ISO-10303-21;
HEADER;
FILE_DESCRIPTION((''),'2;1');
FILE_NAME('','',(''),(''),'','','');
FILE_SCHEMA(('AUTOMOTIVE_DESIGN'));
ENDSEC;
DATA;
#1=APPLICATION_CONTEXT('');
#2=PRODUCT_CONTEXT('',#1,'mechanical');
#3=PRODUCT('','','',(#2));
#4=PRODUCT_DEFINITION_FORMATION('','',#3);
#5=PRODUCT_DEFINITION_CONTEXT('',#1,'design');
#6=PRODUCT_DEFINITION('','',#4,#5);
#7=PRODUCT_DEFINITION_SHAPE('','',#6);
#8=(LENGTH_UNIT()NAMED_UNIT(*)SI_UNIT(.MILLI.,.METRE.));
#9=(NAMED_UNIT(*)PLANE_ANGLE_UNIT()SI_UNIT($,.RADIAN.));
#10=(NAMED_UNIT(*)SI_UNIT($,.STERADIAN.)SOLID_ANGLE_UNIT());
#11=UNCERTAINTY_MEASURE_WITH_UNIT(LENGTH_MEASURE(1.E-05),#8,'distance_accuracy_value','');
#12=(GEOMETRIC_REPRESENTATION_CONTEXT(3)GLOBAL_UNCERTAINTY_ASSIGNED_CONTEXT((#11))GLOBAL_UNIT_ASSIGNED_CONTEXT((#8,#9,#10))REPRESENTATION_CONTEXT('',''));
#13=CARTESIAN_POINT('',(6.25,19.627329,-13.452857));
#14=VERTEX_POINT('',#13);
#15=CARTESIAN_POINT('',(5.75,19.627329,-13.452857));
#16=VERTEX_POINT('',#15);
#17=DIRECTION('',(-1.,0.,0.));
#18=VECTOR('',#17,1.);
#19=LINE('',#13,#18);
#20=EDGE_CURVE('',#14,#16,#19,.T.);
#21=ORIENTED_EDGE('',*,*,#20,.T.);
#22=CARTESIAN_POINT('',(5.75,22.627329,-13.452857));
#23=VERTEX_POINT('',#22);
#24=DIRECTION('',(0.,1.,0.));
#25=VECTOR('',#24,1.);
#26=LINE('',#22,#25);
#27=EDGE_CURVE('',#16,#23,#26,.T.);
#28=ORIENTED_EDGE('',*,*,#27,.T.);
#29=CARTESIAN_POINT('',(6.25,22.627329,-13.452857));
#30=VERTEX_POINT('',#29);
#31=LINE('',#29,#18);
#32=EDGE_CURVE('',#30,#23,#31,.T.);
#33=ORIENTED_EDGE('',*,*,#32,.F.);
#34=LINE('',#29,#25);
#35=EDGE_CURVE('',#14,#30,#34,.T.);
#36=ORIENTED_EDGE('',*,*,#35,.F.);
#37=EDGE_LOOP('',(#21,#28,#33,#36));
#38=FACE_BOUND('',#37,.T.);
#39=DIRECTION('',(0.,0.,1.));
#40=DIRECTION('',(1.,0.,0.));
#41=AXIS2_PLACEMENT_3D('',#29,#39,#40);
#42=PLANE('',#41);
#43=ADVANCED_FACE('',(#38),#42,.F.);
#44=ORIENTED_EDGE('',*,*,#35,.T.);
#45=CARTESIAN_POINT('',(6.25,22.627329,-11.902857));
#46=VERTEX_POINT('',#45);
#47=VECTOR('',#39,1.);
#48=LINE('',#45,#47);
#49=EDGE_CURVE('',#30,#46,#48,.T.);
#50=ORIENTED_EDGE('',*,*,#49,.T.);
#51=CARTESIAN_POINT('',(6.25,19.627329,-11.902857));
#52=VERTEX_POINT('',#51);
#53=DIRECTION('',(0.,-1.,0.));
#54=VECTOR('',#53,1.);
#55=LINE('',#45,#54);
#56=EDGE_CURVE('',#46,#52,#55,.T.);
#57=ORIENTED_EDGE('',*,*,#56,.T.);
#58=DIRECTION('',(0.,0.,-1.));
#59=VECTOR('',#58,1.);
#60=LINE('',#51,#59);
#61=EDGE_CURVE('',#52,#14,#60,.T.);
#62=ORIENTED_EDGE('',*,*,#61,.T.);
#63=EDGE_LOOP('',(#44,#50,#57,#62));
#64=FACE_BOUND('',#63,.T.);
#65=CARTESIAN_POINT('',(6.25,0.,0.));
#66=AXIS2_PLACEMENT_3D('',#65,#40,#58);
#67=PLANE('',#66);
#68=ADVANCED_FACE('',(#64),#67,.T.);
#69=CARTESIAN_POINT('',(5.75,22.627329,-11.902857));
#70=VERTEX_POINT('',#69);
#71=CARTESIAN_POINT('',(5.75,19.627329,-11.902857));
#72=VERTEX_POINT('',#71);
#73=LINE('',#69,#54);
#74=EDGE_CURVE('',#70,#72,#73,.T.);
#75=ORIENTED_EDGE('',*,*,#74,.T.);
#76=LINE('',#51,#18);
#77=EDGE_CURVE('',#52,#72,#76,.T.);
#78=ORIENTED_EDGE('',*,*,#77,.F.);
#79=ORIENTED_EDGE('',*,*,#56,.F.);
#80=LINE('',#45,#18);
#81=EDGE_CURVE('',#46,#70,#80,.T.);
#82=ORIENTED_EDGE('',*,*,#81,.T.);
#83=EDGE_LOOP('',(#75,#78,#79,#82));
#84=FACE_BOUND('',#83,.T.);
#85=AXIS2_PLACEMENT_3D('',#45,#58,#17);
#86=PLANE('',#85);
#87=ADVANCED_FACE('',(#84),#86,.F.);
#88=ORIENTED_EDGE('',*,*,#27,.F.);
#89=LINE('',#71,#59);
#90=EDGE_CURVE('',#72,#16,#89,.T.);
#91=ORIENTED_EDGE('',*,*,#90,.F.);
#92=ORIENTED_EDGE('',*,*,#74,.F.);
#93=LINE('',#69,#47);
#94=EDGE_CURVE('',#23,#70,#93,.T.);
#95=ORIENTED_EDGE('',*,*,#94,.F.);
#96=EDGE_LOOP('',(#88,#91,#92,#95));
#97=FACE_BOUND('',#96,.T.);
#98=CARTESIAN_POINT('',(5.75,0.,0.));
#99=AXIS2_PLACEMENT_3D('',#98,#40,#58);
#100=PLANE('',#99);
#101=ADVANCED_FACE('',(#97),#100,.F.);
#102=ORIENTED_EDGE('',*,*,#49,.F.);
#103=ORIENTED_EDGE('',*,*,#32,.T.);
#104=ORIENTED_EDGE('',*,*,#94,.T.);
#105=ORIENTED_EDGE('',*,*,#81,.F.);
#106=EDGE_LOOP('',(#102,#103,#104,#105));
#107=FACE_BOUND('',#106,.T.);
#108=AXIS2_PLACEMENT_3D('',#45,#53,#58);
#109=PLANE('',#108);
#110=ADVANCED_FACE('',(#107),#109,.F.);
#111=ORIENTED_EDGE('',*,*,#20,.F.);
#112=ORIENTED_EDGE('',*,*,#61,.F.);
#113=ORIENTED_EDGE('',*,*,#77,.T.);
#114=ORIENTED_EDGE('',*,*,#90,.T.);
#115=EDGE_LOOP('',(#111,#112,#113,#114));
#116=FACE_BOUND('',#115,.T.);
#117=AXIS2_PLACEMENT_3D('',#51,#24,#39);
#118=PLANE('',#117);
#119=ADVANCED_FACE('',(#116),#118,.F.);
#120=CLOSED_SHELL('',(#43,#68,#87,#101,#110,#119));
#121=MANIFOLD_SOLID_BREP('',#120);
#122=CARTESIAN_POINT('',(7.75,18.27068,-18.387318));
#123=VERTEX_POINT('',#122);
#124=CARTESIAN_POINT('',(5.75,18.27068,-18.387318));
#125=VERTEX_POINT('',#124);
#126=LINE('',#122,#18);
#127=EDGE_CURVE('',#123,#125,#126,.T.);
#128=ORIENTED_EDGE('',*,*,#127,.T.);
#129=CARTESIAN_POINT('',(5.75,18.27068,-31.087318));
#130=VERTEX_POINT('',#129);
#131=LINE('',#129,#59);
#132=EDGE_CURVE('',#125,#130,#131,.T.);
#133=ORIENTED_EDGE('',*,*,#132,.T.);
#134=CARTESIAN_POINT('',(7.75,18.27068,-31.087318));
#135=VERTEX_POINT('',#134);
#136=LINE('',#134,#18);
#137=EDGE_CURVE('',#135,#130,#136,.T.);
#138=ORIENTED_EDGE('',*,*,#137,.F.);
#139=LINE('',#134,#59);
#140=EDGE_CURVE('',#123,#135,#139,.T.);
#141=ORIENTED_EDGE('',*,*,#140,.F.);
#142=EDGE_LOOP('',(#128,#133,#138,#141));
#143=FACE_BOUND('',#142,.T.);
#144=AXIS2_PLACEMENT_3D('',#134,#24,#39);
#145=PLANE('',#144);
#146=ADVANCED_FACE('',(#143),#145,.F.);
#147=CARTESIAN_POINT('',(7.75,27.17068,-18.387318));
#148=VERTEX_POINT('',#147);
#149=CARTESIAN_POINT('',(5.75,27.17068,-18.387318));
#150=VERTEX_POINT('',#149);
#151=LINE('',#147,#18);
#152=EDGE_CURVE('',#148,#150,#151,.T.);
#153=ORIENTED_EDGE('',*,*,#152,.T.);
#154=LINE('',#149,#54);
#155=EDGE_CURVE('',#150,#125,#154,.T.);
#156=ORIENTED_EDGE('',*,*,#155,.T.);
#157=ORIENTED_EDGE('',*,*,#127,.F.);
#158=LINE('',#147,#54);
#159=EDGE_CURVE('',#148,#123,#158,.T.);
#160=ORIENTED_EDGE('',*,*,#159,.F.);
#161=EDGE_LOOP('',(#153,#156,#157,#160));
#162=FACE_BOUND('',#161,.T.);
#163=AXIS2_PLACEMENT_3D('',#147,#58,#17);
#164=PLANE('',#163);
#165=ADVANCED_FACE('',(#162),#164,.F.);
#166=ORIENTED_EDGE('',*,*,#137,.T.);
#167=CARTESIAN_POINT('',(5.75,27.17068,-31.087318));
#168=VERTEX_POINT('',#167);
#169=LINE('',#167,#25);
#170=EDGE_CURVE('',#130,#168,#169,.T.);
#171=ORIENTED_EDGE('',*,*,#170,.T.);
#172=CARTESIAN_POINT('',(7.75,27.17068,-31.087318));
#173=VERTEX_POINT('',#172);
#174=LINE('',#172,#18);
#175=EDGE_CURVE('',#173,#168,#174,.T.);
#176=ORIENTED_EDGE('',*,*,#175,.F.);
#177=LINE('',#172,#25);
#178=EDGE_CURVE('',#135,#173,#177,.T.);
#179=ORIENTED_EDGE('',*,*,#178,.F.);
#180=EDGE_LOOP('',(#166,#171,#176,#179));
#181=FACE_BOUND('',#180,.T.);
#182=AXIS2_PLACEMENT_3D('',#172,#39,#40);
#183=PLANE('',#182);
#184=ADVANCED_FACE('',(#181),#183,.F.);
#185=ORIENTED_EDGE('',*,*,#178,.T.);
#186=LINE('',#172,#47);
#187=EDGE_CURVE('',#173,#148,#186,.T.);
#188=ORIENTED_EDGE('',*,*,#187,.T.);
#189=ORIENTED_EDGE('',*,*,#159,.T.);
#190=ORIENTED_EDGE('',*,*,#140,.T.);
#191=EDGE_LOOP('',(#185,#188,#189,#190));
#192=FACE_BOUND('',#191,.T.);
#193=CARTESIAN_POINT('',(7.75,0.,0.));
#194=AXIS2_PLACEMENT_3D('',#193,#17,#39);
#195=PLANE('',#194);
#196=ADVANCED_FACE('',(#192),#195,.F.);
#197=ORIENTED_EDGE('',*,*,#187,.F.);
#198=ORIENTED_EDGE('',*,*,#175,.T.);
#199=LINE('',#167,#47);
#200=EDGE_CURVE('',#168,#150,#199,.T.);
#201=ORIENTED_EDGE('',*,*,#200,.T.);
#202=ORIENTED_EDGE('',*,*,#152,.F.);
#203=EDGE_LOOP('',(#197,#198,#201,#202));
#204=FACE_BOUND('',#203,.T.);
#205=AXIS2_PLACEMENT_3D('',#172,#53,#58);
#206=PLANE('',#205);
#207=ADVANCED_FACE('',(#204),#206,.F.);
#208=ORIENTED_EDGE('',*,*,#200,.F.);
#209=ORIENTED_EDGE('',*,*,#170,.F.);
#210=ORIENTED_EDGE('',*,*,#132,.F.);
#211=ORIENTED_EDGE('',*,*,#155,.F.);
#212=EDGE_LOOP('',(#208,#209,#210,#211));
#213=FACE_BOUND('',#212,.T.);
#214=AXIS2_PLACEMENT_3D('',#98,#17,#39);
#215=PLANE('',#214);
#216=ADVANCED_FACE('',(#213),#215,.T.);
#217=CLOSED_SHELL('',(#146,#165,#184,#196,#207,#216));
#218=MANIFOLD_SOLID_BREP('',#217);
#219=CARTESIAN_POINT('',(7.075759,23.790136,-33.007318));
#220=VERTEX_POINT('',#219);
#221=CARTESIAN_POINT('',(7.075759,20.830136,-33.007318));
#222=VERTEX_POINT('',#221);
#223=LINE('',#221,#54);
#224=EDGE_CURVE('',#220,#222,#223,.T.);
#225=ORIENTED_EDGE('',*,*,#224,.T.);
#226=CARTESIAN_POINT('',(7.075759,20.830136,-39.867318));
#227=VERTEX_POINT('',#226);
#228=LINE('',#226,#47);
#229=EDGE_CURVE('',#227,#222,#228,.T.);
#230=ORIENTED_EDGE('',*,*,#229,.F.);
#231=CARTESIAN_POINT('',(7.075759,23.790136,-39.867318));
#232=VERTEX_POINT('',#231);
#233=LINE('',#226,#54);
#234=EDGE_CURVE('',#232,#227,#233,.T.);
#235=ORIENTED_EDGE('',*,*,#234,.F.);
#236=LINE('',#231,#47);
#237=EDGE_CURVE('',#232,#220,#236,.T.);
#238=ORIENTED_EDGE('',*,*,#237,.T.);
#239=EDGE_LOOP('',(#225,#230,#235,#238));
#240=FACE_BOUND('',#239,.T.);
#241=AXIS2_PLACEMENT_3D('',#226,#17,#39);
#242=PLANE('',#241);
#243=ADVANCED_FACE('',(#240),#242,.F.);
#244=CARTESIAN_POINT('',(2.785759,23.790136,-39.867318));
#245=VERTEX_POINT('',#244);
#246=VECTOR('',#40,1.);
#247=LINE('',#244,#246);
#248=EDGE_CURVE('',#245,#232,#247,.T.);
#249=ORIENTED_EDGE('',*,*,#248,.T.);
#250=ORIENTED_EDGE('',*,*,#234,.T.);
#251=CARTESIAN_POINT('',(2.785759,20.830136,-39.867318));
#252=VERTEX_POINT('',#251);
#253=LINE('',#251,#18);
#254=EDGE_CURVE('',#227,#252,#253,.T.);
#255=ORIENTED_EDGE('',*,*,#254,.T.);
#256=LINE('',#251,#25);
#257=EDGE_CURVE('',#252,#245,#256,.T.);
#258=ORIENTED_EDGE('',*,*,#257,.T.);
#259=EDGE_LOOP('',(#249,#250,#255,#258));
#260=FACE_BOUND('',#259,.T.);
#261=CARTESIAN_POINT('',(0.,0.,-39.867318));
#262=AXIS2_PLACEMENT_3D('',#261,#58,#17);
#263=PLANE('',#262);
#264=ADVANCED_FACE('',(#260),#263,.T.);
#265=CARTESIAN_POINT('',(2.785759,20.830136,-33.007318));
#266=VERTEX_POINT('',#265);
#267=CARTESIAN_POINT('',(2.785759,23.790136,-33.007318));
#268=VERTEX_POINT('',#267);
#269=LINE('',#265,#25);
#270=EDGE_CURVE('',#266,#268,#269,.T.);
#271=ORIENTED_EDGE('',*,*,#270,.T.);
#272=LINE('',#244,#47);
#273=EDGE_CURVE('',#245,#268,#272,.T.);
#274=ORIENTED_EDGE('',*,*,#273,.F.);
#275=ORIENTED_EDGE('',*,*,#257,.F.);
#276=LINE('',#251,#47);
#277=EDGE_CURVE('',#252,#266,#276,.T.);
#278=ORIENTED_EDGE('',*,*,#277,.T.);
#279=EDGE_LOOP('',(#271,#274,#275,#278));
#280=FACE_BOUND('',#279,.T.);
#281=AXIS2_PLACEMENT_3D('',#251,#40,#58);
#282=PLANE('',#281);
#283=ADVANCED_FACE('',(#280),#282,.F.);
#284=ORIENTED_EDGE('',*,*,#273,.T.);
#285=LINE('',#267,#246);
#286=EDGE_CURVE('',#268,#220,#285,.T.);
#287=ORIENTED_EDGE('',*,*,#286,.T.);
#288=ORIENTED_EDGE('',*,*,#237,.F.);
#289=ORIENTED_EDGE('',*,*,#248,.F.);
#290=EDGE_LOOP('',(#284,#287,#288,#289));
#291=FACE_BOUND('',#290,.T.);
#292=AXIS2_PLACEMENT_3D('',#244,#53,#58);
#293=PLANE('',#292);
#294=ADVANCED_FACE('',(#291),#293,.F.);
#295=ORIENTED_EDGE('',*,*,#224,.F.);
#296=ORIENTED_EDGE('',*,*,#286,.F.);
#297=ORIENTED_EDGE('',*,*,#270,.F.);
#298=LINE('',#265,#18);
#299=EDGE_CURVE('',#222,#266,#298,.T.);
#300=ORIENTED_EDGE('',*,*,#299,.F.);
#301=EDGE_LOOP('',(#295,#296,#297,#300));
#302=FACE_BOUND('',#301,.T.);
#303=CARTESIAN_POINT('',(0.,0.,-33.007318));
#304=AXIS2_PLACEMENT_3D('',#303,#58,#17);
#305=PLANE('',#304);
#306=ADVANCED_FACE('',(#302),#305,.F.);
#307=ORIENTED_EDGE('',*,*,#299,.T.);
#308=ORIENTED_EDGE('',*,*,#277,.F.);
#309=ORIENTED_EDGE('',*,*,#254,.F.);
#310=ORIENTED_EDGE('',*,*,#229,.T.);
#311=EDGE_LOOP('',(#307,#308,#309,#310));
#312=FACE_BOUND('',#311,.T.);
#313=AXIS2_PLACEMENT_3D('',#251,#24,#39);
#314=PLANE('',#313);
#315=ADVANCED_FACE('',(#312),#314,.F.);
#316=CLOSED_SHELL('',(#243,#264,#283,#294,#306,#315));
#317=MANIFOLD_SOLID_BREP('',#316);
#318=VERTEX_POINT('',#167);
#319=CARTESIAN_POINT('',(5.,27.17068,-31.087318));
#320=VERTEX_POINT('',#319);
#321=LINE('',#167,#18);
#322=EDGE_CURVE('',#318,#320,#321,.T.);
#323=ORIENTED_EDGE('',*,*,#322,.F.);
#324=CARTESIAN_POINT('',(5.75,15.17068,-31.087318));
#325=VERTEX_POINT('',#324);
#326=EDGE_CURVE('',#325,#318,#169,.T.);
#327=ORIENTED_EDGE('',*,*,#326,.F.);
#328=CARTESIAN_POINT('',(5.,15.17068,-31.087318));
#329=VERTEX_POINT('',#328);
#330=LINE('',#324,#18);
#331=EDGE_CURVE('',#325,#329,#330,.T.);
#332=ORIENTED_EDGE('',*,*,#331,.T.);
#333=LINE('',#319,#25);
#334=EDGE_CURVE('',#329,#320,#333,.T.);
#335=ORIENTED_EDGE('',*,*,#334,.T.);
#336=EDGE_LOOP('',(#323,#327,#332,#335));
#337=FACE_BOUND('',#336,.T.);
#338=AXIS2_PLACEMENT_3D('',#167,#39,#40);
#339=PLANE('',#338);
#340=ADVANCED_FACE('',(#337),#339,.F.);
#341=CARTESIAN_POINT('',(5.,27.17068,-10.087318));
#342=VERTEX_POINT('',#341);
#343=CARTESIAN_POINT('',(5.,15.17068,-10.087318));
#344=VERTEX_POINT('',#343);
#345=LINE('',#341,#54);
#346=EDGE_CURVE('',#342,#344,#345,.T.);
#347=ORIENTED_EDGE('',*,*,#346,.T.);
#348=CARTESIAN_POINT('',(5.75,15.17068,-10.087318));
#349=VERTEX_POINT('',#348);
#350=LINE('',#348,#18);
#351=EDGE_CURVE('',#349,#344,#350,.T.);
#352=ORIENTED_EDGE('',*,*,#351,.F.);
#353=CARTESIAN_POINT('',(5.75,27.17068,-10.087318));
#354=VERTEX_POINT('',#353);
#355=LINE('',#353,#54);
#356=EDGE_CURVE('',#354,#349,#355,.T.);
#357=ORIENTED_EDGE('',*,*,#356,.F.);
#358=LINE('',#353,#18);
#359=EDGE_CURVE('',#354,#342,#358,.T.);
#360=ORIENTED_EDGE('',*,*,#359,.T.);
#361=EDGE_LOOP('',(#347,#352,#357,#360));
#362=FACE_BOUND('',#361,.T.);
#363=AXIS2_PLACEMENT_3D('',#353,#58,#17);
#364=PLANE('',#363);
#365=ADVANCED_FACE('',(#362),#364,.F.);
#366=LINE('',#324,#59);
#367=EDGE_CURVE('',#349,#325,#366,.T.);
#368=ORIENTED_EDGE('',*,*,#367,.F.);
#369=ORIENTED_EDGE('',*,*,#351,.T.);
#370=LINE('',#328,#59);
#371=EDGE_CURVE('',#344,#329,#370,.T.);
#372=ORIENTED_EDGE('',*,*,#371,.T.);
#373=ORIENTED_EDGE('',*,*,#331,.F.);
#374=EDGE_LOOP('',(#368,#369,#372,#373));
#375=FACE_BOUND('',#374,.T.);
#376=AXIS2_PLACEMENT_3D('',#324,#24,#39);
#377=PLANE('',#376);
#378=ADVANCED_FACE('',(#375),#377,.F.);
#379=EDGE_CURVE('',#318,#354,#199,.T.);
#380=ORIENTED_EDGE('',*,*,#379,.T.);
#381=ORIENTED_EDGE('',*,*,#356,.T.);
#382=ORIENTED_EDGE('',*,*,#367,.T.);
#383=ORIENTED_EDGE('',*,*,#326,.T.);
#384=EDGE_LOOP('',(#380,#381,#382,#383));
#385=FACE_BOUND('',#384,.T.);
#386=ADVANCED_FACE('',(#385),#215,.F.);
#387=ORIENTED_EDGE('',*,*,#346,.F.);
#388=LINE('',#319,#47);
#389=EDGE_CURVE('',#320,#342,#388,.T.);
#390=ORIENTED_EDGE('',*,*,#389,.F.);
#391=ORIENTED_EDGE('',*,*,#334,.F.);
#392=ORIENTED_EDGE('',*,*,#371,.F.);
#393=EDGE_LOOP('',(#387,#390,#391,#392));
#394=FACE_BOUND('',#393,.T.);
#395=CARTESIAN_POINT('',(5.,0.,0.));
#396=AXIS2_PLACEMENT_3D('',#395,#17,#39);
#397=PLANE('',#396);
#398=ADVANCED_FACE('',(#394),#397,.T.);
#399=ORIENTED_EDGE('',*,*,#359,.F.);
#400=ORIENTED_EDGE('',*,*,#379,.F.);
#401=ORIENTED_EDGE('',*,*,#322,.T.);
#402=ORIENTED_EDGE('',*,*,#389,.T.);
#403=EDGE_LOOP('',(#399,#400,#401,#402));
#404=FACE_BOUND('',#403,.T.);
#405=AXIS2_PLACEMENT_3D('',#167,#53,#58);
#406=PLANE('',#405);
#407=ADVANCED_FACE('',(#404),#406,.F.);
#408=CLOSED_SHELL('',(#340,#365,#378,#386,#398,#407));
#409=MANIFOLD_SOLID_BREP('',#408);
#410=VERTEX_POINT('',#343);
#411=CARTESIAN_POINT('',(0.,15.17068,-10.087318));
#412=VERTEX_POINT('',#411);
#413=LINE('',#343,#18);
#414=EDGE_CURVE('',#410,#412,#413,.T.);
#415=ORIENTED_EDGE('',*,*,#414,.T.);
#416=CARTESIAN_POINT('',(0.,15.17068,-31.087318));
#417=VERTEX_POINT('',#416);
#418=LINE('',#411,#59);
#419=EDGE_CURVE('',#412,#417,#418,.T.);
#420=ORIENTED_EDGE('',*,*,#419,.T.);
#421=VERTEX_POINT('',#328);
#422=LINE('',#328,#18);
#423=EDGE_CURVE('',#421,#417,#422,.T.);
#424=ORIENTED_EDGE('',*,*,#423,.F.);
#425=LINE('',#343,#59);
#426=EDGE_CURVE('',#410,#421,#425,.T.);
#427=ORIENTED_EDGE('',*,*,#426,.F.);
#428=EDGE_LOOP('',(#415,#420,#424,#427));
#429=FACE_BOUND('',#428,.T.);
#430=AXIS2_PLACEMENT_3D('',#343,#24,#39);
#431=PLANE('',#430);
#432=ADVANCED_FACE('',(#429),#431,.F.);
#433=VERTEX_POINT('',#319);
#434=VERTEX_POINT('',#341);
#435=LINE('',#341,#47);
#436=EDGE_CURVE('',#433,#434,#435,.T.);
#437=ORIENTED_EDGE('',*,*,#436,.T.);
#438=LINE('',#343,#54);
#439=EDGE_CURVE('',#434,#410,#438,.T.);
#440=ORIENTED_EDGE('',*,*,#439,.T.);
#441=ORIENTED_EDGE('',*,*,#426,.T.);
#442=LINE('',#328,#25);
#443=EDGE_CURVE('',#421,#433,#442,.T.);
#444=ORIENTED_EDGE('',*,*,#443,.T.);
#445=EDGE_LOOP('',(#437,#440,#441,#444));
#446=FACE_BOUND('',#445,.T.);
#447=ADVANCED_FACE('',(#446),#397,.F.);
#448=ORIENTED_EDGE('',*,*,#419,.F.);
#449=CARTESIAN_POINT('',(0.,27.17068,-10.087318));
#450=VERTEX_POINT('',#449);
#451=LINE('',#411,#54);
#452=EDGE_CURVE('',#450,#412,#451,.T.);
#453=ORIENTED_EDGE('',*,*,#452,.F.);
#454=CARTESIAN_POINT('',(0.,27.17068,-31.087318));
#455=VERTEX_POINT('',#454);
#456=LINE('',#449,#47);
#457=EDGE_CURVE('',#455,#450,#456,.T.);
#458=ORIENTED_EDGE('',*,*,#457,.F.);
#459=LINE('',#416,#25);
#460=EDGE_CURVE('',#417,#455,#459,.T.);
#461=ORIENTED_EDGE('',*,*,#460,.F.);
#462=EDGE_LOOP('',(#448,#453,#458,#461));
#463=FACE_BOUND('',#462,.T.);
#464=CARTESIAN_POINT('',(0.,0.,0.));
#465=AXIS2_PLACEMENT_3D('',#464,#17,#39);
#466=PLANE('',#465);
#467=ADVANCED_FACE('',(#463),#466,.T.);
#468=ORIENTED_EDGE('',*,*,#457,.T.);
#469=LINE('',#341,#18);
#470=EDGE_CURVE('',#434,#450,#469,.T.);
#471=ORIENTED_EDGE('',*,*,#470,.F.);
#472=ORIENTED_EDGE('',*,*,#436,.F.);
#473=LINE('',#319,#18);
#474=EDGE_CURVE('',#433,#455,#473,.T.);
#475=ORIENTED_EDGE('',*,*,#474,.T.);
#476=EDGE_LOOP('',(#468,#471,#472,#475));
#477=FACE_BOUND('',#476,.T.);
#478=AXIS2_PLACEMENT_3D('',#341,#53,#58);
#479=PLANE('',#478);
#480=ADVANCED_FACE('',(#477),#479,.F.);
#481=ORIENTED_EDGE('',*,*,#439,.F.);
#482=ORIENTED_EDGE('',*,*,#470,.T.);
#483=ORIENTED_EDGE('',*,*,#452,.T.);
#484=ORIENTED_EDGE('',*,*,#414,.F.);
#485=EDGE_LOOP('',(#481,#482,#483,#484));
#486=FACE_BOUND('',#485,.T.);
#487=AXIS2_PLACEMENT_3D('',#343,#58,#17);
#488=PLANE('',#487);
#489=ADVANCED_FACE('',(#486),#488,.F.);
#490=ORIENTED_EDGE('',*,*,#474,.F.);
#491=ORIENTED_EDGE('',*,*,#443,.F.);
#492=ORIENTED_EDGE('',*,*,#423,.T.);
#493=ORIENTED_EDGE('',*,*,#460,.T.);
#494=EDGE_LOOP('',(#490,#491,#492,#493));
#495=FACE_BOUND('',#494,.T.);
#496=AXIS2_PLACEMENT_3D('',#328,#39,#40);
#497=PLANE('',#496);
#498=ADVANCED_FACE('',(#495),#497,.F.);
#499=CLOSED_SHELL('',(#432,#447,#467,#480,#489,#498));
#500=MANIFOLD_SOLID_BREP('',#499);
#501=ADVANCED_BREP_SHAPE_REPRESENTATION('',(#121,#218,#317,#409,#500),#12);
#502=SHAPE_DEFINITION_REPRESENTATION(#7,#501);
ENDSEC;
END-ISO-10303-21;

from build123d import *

# Parameters (mm, degrees)
SKETCH1_W        = 21
SKETCH1_H        = 12
BATTERY_DEPTH    = 5
SKETCH2_W        = 4.29
SKETCH2_H        = 2.96
DRIVER_DEPTH     = 6.86
SKETCH6_W        = 21
SKETCH6_H        = 12
PCB_BOARD_DEPTH  = 0.75
SKETCH7_W        = 12.7
SKETCH7_H        = 8.9
KLR_DEVICE_DEPTH = 2
SKETCH8_W        = 1.55
SKETCH8_H        = 3
ANTENNA_DEPTH    = 0.5


with BuildPart() as part:
    # Sketch1 → battery (new body)
    with BuildSketch(Plane(origin=(0, 0, 0), x_dir=(0, 0, -1), z_dir=(1, 0, 0))):
        with Locations((20.587318323, 21.170679999)):
            Rectangle(SKETCH1_W, SKETCH1_H)
    extrude(amount=BATTERY_DEPTH)


with BuildPart() as body_2:
    # Sketch2 → driver (new body)
    with BuildSketch(Plane(origin=(0, 0, -33.007318323), x_dir=(-1, 0, 0), z_dir=(0, 0, -1))):
        with Locations((-4.930759152, 22.310136325)):
            Rectangle(SKETCH2_W, SKETCH2_H)
    extrude(amount=DRIVER_DEPTH)


with BuildPart() as body_3:
    # Sketch6 → pcb board (new body)
    with BuildSketch(Plane(origin=(5, 0, 0), x_dir=(0, 0, -1), z_dir=(1, 0, 0))):
        with Locations((20.587318323, 21.170679999)):
            Rectangle(SKETCH6_W, SKETCH6_H)
    extrude(amount=PCB_BOARD_DEPTH)


with BuildPart() as body_4:
    # Sketch7 → KLR device (new body)
    with BuildSketch(Plane(origin=(5.75, 0, 0), x_dir=(0, 0, -1), z_dir=(1, 0, 0))):
        with Locations((24.737318323, 22.720679999)):
            Rectangle(SKETCH7_W, SKETCH7_H)
    extrude(amount=KLR_DEVICE_DEPTH)


with BuildPart() as body_5:
    # Sketch8 → antenna (new body)
    with BuildSketch(Plane(origin=(5.75, 0, 0), x_dir=(0, 0, -1), z_dir=(1, 0, 0))):
        with Locations((12.677856533, 21.127328905)):
            Rectangle(SKETCH8_W, SKETCH8_H)
    extrude(amount=ANTENNA_DEPTH)


solid = Compound([part.part, body_2.part, body_3.part, body_4.part, body_5.part])
